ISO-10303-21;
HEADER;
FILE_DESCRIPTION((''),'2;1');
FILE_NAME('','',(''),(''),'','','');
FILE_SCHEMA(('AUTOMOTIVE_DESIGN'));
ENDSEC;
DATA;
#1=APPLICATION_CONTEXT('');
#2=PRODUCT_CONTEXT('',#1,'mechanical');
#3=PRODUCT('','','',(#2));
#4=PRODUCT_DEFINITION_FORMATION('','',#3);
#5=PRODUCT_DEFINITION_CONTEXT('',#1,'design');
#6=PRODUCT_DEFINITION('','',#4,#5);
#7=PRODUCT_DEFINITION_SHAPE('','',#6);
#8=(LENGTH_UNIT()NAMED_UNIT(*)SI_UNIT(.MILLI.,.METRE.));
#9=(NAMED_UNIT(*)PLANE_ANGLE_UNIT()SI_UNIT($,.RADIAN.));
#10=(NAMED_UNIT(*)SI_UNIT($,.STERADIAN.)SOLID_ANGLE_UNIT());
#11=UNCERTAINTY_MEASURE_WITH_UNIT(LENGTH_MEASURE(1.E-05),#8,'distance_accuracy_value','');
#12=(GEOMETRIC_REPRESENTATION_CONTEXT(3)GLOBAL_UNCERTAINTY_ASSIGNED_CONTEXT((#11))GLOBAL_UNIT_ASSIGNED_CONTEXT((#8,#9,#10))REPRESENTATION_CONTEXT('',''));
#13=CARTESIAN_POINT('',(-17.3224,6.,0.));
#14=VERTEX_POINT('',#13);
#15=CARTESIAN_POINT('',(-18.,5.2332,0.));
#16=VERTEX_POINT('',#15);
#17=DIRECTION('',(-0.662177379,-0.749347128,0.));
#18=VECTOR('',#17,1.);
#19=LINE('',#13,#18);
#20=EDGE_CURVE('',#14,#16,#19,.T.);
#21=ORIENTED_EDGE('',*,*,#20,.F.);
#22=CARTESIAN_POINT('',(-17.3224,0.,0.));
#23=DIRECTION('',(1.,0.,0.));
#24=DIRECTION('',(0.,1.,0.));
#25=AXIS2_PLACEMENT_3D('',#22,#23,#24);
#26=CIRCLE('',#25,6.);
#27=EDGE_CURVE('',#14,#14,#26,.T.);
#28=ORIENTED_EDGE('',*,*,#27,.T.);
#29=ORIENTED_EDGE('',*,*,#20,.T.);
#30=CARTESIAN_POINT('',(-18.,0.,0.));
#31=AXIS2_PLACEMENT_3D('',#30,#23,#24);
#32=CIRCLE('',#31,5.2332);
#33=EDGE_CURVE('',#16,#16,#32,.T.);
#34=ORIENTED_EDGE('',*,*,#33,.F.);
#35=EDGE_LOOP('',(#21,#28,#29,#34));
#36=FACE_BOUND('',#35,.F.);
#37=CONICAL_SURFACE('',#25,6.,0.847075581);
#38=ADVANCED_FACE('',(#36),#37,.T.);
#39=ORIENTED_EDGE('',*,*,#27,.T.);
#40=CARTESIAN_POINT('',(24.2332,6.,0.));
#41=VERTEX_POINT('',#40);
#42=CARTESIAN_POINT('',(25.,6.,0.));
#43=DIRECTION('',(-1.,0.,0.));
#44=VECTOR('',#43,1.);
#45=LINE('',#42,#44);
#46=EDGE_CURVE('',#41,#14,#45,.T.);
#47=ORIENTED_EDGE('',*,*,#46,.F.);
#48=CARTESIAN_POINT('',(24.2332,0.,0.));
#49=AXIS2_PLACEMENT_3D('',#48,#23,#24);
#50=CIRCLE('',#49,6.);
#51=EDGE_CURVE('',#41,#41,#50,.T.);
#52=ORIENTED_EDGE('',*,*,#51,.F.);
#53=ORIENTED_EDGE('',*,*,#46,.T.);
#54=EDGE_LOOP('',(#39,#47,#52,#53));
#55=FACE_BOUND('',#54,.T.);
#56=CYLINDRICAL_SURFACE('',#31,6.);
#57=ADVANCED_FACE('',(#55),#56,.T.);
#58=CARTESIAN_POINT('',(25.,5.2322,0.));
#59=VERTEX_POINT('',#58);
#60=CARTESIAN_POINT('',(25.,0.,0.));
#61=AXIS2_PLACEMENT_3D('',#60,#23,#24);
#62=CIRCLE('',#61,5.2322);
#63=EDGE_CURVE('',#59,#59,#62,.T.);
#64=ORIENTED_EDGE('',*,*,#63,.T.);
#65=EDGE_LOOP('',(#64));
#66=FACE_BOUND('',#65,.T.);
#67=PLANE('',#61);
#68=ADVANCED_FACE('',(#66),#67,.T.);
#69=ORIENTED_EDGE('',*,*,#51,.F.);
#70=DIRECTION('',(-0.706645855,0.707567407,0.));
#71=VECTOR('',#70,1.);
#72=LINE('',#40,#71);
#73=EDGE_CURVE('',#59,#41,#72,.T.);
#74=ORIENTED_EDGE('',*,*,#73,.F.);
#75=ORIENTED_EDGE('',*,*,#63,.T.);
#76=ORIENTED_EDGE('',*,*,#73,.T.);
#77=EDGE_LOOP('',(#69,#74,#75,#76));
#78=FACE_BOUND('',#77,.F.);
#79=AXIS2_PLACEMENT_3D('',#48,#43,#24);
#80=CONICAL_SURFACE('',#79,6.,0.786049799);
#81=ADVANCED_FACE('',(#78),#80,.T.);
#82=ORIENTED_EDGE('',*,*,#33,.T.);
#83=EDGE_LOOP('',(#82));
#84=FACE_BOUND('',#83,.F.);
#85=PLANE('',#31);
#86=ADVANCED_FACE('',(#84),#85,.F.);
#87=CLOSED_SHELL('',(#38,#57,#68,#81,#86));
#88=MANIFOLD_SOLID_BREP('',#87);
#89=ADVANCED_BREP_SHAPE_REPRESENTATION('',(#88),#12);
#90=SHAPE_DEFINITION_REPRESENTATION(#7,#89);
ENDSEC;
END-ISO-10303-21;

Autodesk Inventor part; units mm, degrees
ref_plane "YZ Plane" through (0, 0, 0) normal (1, 0, 0) x (0, 1, 0)
ref_plane "XZ Plane" through (0, 0, 0) normal (0, 1, 0) x (-1, 0, 0)
sketch "Skizze1" plane through (0, 0, 0) normal (0, 0, 1) x (1, 0, 0)
  line L0 (25, 6) -> (25, 0)
  line L1 (-18, 0) -> (25, 0)
  line L2 (-26.6, 0) -> (33.6, 0) projected
  line L3 (0, 7.2) -> (0, -1.2) projected
  line L4 (-18, 6) -> (-18, 0)
  line L5 (2, 6) -> (2, 0) construction
  line L6 (-26.6, 0) -> (33.6, 0) projected
  line L7 (-18, 6) -> (25, 6)
  dimension "d4" = 18
  dimension "d5" = 25
  dimension "d6" = 23
  dimension "d13" = 12
revolve "Körper" add sketch "Skizze1" angle 360 about axis through (-18, 0, 0) along (1, 0, 0)
thread "Gewinde1" size "M12x1.25" class "6g" standard "ISO Metric profile" length 18
thread "Gewinde2" size "M12x1.25" class "6g" standard "ISO Metric profile" length 23.7668
chamfer "Fase1" distance 0.7678 distance2 0.7668 1 edges at (25, -6, 0) measured on face at (25, -3.0269, -1.5886)
chamfer "Fase2" distance 0.6776 distance2 0.7668 1 edges at (-18, -6, 0) measured on face at (10.1555, 5.9223, -0.9625)
ref_plane "Work Plane1" through (2.75, 0, 0) normal (0, -1, 0) x (1, 0, 0)
equation "\"d4\" = KOH"
equation "\"d5\" = NLG"
equation "\"d6\" = GEL"
equation "\"d13\" = GD"
equation "\"d1\" = KOH"
equation "\"d7\" = GEL + GAL"
equation "\"d10\" = -0.5 * SPD + 0.5 * GD"
equation "\"d12\" = -0.5 * SPD + 0.5 * GD"
equation "\"NLG\" = 25"
equation "\"GEL\" = 23"
equation "\"GAL\" = 0.61345 * PTC"
equation "\"SPD\" = NND - 1.2269 * PTC"
equation "\"d0\" = GD"
equation "\"GUL\" = 0.61345 * PTC"
equation "\"KOH\" = 18"
equation "\"GD\" = NND"
equation "\"BDM\" = NND"
equation "\"GUL1\" = 0.67658"
equation "\"GAL1\" = GAL"
equation "\"d80\" = -GUL - GEL"
equation "\"d86\" = -KOH + GUL1"
equation "\"PTC\" = 1.25"
equation "\"THREADDIA\" = 12"
equation "\"TOA\" = 30deg"
equation "\"NND\" = 12"
equation "\"GD1\" = THREADDIA - 1.2269 * PTC"
properties part number "UNI 5910 - M12 x 1,25 x 25" material "Steel, Mild"
